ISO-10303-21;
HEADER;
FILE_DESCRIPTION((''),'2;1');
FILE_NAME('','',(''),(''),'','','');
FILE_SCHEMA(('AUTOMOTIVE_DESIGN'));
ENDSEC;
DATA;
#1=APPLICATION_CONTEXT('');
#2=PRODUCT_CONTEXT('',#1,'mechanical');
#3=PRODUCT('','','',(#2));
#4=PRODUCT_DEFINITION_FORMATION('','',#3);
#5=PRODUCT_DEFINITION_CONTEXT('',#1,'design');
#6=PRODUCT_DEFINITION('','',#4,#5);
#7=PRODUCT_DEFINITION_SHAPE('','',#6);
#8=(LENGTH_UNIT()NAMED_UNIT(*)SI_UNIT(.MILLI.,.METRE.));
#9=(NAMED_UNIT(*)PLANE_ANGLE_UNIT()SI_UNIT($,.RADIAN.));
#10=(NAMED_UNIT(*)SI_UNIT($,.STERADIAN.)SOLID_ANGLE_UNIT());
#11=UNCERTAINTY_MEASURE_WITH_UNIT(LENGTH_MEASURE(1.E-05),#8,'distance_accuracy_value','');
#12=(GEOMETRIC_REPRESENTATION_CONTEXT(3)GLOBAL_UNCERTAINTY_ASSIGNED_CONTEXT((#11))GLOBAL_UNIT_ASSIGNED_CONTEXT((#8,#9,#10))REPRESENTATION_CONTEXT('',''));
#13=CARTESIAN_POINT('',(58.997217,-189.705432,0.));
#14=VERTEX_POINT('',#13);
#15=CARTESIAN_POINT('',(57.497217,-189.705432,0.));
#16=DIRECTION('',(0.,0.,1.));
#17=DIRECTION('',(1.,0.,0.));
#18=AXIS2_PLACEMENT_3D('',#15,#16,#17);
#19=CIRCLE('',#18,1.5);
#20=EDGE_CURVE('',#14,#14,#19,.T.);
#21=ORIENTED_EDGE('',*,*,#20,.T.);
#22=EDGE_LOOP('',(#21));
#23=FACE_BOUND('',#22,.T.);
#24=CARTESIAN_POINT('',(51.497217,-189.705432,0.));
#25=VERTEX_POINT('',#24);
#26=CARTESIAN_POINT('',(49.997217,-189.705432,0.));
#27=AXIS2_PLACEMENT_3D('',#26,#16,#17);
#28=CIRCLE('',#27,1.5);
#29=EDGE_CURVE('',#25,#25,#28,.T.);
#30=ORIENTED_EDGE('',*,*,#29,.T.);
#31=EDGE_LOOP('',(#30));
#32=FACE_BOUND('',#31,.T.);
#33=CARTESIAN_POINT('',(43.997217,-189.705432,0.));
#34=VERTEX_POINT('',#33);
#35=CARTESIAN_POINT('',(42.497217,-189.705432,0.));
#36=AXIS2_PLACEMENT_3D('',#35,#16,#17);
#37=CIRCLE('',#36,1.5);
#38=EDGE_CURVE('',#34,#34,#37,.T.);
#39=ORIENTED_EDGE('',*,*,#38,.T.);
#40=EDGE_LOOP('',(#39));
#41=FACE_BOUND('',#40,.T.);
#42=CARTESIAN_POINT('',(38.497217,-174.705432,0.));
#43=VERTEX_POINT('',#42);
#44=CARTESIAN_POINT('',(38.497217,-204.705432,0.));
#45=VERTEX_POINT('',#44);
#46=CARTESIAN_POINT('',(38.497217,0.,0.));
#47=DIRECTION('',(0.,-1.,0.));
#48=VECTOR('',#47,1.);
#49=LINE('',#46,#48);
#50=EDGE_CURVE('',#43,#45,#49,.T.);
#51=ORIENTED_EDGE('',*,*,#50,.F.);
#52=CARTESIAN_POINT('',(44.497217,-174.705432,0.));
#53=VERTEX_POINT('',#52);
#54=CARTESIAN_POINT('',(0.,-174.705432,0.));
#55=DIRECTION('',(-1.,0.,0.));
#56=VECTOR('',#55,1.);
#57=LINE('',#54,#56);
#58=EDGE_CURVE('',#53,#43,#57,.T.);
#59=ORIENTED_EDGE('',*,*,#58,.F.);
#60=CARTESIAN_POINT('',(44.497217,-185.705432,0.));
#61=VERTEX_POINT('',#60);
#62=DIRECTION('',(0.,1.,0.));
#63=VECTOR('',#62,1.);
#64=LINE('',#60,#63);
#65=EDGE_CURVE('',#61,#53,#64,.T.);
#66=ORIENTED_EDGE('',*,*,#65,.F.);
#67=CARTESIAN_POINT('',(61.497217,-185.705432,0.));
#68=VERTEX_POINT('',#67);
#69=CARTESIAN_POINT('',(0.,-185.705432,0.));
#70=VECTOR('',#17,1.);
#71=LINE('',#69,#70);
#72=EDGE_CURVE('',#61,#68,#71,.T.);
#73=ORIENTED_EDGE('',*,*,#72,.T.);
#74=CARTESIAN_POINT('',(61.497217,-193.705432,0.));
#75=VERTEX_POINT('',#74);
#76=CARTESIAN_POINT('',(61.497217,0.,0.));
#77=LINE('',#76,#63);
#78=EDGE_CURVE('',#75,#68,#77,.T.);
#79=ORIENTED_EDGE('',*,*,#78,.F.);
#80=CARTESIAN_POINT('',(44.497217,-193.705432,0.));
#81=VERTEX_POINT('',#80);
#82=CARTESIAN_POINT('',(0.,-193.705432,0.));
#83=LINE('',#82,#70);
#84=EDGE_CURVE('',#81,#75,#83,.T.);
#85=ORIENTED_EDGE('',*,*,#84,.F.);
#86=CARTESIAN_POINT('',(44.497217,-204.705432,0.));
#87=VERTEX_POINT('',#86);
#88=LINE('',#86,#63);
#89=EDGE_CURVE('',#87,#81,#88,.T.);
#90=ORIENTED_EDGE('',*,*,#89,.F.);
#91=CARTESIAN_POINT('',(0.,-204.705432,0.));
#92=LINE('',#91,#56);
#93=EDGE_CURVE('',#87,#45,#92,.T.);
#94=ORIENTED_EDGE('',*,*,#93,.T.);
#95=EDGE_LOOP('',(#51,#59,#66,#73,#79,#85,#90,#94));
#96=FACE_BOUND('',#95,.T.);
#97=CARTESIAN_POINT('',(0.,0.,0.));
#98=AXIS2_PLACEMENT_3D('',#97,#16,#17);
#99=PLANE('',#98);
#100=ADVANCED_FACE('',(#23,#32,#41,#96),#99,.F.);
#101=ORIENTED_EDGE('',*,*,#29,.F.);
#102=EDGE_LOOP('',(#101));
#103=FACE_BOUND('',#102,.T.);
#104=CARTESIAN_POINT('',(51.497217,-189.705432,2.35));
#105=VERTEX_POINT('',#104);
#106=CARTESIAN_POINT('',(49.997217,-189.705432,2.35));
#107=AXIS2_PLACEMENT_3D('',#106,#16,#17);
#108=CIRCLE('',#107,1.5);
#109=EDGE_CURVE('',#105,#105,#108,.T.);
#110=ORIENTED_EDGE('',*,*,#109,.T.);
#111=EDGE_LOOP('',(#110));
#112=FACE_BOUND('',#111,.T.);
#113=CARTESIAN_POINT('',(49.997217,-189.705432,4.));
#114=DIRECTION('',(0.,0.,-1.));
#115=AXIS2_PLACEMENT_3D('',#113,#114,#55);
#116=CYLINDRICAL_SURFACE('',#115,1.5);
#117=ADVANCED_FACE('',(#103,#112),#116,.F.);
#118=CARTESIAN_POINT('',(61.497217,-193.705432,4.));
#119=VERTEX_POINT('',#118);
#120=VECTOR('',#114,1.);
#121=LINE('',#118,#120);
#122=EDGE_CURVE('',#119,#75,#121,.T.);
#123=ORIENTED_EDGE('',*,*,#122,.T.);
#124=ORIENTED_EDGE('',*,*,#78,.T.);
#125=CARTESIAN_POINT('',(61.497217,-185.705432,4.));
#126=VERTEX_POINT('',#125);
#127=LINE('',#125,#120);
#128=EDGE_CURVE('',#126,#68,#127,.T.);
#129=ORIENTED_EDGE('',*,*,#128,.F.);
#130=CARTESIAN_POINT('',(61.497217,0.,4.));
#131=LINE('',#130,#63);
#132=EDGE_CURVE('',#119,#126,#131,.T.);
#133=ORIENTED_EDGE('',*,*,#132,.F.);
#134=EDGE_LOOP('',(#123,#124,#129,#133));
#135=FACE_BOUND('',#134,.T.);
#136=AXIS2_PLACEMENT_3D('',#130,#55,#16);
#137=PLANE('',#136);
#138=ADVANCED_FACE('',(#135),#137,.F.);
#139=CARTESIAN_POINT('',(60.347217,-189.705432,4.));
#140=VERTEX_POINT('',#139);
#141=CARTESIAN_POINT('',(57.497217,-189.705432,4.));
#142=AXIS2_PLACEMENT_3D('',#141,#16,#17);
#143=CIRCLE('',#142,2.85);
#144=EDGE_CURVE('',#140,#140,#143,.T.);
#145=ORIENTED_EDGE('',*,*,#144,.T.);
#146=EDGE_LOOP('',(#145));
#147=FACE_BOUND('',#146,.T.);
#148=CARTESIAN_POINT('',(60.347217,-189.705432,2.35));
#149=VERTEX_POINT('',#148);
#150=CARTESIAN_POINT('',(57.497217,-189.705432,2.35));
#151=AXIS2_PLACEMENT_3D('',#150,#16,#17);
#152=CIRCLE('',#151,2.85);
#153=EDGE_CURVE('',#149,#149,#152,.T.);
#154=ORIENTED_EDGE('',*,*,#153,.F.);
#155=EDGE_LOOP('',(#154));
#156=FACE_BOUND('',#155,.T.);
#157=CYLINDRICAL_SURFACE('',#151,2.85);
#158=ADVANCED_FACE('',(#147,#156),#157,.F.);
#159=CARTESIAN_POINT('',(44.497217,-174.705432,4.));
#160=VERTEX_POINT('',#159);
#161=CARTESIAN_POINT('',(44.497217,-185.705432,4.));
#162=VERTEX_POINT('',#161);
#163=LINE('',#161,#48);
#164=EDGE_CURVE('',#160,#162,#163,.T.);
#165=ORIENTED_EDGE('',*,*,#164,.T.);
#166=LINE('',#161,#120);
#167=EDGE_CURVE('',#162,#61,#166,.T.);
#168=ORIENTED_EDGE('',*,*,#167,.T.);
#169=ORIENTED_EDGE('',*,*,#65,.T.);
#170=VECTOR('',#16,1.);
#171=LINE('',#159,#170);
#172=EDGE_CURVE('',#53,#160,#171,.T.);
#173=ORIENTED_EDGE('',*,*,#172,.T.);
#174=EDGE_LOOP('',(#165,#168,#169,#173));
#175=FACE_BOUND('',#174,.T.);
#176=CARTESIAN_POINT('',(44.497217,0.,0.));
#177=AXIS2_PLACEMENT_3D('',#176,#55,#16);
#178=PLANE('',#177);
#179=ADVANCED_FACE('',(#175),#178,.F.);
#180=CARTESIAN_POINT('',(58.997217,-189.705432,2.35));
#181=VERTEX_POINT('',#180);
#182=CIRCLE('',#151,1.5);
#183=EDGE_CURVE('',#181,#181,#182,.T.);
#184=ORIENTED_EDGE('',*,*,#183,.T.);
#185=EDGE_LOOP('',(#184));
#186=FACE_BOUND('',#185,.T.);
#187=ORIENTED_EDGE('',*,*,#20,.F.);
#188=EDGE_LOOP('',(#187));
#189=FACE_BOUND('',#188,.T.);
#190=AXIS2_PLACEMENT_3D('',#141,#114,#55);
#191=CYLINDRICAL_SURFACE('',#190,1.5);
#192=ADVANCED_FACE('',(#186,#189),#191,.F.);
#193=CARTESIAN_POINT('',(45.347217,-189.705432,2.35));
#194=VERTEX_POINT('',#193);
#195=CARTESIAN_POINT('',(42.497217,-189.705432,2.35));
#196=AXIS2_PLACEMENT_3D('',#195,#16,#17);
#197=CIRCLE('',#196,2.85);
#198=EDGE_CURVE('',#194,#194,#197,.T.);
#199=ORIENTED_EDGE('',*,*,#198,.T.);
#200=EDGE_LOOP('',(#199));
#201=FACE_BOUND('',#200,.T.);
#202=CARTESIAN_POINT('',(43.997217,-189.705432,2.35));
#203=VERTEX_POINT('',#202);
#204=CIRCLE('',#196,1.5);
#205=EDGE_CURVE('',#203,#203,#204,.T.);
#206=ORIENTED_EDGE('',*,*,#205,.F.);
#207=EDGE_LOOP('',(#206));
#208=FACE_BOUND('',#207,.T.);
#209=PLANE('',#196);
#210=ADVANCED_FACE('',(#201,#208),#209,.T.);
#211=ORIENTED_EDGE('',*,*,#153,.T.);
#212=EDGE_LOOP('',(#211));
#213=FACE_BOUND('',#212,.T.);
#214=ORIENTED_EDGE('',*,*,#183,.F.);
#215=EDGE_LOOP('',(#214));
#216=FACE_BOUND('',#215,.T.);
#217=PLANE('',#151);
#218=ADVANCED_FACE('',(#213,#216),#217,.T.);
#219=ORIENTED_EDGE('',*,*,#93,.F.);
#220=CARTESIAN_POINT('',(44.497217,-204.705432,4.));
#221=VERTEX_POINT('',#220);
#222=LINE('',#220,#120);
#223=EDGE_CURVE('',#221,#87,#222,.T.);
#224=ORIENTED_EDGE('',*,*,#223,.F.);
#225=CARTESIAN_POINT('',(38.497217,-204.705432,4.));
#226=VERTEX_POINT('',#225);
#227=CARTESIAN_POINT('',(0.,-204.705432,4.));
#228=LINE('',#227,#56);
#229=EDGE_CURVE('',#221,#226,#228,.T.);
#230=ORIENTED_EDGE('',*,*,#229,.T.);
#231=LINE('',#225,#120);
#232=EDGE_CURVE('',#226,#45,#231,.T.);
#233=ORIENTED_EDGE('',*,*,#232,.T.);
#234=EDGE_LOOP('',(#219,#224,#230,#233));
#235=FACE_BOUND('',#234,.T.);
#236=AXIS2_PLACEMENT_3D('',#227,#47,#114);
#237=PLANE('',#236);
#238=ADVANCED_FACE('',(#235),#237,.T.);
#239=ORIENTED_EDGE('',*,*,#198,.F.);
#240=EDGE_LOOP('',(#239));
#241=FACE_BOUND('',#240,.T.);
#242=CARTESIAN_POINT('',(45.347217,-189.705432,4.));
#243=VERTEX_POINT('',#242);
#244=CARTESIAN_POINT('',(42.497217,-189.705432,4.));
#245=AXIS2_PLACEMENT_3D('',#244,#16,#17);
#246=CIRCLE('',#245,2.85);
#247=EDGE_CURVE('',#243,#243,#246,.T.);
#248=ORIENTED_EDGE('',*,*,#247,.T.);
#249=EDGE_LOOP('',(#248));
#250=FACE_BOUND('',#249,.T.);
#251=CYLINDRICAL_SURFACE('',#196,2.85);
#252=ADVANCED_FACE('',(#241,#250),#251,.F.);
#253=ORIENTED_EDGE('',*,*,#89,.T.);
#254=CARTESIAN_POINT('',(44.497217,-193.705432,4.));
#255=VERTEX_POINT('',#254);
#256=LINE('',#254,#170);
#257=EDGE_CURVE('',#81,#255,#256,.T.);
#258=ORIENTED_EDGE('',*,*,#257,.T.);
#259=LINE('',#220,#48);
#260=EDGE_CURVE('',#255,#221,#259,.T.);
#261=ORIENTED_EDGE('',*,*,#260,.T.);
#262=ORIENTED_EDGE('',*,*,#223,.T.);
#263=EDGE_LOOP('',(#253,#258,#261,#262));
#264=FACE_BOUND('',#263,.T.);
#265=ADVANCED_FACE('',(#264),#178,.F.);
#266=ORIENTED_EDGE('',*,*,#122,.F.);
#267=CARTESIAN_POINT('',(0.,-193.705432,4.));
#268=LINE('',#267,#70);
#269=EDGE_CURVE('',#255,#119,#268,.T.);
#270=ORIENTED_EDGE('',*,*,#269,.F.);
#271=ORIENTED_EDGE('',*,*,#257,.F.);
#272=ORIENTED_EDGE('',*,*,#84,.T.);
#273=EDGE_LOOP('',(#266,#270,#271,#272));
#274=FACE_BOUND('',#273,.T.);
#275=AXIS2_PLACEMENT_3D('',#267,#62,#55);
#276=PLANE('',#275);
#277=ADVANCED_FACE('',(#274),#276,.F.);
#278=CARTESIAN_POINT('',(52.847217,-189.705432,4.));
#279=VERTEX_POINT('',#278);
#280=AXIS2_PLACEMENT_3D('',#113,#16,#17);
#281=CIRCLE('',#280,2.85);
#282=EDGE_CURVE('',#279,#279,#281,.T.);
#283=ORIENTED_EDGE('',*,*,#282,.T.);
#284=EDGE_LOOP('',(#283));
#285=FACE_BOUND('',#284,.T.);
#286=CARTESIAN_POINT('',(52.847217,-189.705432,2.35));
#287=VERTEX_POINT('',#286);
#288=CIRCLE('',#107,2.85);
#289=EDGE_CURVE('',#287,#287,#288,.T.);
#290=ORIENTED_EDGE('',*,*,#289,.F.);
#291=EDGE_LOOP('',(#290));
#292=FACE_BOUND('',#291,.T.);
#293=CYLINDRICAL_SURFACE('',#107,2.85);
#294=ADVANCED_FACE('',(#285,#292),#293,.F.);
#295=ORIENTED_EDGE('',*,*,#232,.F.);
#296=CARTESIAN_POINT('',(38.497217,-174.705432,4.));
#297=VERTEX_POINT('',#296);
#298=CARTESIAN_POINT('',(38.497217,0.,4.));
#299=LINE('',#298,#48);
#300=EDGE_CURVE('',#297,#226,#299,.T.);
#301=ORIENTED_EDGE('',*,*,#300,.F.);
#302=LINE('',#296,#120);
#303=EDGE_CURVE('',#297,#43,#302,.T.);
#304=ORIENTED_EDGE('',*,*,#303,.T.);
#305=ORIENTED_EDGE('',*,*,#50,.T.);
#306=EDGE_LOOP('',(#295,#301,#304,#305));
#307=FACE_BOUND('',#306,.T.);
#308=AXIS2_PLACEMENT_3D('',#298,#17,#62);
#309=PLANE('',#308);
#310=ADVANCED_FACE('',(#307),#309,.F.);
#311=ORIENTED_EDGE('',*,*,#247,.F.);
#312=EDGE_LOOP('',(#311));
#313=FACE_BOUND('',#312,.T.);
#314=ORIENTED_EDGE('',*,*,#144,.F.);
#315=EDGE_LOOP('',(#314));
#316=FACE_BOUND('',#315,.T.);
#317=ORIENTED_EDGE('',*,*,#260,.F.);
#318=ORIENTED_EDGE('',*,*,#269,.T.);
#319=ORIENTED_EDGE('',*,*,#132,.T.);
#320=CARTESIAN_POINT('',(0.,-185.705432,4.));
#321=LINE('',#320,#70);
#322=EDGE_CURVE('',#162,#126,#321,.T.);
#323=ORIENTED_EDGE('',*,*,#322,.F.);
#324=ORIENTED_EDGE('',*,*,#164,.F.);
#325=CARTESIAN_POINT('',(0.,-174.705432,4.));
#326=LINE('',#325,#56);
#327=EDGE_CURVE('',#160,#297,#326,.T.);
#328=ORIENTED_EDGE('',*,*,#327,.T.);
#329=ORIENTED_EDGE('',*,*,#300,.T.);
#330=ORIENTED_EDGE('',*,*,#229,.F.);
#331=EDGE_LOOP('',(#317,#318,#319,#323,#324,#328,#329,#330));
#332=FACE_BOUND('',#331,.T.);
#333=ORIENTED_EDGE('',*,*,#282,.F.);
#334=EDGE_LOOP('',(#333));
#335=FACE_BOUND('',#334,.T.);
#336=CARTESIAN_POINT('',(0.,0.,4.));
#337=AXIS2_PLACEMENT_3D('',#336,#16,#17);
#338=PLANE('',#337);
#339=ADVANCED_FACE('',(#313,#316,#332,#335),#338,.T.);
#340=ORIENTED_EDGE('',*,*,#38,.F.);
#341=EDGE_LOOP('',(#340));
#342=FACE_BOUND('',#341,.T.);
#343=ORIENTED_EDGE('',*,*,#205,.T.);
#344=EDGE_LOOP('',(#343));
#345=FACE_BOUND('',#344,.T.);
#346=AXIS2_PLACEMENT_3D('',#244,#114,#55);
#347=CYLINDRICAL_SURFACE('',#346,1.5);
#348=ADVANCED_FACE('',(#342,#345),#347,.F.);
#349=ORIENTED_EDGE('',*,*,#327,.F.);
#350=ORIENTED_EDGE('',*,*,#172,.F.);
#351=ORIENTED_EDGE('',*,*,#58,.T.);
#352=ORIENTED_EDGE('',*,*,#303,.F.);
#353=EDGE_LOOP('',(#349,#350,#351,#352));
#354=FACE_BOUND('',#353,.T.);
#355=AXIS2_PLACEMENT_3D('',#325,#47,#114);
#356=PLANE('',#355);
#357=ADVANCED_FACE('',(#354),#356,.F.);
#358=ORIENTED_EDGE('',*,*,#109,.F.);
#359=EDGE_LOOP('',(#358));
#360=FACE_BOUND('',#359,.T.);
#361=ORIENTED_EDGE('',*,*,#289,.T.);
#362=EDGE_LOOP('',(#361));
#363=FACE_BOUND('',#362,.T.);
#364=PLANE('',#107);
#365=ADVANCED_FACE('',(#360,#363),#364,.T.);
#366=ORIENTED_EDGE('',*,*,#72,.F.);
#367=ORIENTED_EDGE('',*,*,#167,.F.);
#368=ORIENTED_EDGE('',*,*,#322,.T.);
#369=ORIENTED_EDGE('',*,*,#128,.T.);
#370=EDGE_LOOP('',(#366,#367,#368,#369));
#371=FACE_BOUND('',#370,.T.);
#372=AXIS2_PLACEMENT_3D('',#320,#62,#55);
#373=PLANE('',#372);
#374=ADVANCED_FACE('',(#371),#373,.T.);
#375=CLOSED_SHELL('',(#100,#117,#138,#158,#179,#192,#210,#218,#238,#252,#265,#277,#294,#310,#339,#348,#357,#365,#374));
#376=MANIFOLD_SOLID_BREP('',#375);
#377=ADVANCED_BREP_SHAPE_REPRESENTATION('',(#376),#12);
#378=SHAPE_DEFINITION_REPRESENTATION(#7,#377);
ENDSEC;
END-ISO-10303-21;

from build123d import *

# Parameters (mm, degrees)
CROQUIS2_R              = 1.5
SALIENTE_EXTRUIR1_DEPTH = 4
CROQUIS3_R              = 2.85
CORTAR_EXTRUIR1_DEPTH   = 1.65
CROQUIS4_W              = 4
CROQUIS4_H              = 11
CORTAR_EXTRUIR2_DEPTH   = 2


with BuildPart() as part:
    # Croquis2 → Saliente-Extruir1 (new body)
    with BuildSketch(Plane.XY):
        Polygon((38.497217209, -204.70543153), (46.497217209, -204.70543153), (46.497217209, -193.70543153), (61.497217209, -193.70543153), (61.497217209, -185.70543153), (46.497217209, -185.70543153), (46.497217209, -174.70543153), (38.497217209, -174.70543153), align=None)
        with Locations((42.497217209, -189.70543153)):
            Circle(CROQUIS2_R, mode=Mode.SUBTRACT)
        with Locations((57.497217209, -189.70543153)):
            Circle(CROQUIS2_R, mode=Mode.SUBTRACT)
        with Locations((49.997217209, -189.70543153)):
            Circle(CROQUIS2_R, mode=Mode.SUBTRACT)
    extrude(amount=SALIENTE_EXTRUIR1_DEPTH)

    # Croquis3 → Cortar-Extruir1 (cut)
    with BuildSketch(Plane.XY.offset(4)):
        with Locations((42.497217209, -189.70543153)):
            Circle(CROQUIS3_R)
        with Locations((49.997217209, -189.70543153)):
            Circle(CROQUIS3_R)
        with Locations((57.497217209, -189.70543153)):
            Circle(CROQUIS3_R)
    extrude(amount=-CORTAR_EXTRUIR1_DEPTH, mode=Mode.SUBTRACT)

    # Croquis4 → Cortar-Extruir2 (cut)
    with BuildSketch(Plane(origin=(46.497217209, 0, 0), x_dir=(0, 0, -1), z_dir=(1, 0, 0))):
        with Locations((-2, -199.20543153)):
            Rectangle(CROQUIS4_W, CROQUIS4_H)
        with Locations((-2, -180.20543153)):
            Rectangle(CROQUIS4_W, CROQUIS4_H)
    extrude(amount=-CORTAR_EXTRUIR2_DEPTH, mode=Mode.SUBTRACT)


solid = part.part
